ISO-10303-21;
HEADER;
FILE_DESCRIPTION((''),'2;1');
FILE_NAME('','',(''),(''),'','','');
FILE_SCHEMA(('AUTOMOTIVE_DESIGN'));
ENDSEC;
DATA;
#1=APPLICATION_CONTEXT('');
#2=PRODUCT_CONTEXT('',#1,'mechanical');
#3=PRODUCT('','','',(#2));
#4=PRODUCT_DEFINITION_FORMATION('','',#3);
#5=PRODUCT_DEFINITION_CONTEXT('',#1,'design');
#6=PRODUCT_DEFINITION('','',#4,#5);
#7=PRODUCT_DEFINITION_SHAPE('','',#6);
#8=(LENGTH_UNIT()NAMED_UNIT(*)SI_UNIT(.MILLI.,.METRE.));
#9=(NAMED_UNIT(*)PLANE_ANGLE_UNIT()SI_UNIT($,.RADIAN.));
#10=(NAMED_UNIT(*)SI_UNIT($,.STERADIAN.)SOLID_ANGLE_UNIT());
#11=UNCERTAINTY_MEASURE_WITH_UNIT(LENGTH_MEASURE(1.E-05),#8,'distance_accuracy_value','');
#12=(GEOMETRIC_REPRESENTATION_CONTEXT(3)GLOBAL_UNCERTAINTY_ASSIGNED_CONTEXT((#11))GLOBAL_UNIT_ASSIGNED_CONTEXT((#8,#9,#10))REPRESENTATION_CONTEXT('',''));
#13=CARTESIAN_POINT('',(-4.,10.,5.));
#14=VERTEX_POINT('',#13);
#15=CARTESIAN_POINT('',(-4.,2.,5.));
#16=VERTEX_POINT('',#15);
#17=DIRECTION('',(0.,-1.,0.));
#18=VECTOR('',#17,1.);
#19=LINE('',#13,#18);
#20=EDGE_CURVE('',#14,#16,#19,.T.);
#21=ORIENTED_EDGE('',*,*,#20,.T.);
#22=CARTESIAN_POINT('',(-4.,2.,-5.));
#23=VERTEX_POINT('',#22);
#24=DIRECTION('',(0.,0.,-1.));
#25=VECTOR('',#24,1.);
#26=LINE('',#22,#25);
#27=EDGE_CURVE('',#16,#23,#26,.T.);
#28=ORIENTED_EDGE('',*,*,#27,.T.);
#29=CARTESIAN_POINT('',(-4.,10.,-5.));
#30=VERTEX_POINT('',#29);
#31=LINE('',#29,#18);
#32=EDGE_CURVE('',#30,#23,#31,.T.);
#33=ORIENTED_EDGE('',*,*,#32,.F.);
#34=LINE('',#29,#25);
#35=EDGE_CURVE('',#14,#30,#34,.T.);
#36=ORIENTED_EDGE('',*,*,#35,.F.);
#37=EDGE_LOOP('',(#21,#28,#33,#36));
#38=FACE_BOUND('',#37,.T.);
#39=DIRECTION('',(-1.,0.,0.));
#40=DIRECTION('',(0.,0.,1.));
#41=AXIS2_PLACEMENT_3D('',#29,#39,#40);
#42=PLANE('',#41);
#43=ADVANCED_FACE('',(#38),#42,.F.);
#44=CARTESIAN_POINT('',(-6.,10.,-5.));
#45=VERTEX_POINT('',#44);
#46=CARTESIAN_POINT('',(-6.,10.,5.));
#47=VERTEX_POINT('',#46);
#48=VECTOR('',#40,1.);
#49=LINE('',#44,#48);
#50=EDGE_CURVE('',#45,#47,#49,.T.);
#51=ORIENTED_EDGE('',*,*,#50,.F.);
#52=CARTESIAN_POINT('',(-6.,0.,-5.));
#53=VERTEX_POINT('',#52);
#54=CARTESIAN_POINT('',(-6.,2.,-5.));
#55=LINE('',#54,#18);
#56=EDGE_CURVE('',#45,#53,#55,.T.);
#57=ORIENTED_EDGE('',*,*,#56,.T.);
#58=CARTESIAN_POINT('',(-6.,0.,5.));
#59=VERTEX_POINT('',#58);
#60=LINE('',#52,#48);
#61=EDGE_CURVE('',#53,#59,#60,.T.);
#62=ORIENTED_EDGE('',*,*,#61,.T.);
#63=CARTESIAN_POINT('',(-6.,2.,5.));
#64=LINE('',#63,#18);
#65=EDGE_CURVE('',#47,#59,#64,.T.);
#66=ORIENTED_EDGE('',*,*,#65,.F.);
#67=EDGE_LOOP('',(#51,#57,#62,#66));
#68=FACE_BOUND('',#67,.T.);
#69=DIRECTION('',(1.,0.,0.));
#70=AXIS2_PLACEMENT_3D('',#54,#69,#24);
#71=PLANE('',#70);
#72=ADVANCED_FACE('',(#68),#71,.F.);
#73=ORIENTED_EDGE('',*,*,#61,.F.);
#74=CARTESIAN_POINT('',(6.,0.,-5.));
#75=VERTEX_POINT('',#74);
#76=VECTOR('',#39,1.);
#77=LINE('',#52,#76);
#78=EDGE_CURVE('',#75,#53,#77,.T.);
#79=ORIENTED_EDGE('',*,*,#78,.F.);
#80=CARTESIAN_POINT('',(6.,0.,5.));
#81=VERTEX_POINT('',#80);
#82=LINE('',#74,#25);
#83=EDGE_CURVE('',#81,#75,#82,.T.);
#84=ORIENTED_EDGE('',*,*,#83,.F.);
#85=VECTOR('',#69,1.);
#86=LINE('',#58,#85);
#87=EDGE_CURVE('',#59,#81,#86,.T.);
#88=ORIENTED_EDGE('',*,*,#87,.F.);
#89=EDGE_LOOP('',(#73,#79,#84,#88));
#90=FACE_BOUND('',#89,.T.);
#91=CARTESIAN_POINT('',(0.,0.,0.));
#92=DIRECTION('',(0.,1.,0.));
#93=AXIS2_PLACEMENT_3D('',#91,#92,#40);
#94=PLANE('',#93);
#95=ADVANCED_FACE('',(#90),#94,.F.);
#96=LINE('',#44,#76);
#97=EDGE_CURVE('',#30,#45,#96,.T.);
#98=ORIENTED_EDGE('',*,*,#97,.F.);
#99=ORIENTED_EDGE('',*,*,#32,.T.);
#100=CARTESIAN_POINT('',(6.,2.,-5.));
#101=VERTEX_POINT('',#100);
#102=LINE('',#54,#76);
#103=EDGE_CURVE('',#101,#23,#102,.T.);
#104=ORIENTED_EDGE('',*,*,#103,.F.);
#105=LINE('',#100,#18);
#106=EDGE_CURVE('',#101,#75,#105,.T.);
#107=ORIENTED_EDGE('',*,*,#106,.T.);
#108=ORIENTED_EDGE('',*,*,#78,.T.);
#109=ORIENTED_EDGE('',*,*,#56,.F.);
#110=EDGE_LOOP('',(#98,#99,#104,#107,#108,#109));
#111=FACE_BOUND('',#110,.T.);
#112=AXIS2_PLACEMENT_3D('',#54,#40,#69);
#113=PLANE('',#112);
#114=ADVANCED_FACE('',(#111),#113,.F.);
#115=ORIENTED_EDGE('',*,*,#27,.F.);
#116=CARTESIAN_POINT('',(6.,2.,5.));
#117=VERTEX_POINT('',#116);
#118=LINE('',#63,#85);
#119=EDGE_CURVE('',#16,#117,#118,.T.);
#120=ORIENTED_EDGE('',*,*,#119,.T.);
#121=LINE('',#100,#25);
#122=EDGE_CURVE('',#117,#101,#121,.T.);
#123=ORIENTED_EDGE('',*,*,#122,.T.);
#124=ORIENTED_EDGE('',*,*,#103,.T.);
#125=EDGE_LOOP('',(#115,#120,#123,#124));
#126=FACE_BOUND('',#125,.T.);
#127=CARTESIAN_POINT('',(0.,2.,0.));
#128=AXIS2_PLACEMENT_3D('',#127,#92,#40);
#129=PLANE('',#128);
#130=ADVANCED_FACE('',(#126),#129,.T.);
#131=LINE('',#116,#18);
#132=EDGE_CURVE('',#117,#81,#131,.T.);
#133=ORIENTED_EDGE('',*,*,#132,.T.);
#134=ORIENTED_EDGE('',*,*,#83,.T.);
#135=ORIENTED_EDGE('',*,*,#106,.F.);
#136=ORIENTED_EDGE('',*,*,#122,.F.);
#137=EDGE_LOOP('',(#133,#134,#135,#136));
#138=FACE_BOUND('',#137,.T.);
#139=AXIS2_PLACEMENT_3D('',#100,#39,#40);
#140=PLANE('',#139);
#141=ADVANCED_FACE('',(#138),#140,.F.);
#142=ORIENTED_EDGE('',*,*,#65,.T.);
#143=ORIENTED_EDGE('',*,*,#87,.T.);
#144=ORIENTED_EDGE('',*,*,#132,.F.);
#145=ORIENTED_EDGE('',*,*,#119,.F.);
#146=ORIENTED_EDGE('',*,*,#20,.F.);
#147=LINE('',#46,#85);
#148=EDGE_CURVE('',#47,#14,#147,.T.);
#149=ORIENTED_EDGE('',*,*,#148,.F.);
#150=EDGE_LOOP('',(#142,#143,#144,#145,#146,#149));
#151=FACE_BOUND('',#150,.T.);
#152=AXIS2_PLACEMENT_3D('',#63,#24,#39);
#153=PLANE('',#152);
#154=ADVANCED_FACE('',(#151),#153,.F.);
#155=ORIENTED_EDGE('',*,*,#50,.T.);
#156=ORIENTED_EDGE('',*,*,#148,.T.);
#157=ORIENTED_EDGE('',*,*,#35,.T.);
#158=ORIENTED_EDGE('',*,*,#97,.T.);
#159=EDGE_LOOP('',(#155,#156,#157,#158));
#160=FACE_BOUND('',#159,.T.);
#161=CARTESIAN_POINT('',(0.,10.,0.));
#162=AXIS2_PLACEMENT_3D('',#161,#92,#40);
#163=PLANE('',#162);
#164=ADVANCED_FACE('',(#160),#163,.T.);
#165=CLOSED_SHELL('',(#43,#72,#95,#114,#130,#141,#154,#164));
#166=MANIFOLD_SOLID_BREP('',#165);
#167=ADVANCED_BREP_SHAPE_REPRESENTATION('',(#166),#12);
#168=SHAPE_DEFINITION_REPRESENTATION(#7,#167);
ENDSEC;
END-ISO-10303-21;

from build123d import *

# Parameters (mm, degrees)
SKETCH1_W           = 12
SKETCH1_H           = 10
BOSS_EXTRUDE1_DEPTH = 2
SKETCH2_W           = 2
SKETCH2_H           = 10
BOSS_EXTRUDE2_DEPTH = 8


with BuildPart() as part:
    # Sketch1 → Boss-Extrude1 (new body)
    with BuildSketch(Plane(origin=(0, 0, 0), x_dir=(1, 0, 0), z_dir=(0, 1, 0))):
        Rectangle(SKETCH1_W, SKETCH1_H)
    extrude(amount=BOSS_EXTRUDE1_DEPTH)

    # Sketch2 → Boss-Extrude2 (add)
    with BuildSketch(Plane(origin=(0, 2, 0), x_dir=(1, 0, 0), z_dir=(0, 1, 0))):
        with Locations((-5, 0)):
            Rectangle(SKETCH2_W, SKETCH2_H)
    extrude(amount=BOSS_EXTRUDE2_DEPTH)


solid = part.part
